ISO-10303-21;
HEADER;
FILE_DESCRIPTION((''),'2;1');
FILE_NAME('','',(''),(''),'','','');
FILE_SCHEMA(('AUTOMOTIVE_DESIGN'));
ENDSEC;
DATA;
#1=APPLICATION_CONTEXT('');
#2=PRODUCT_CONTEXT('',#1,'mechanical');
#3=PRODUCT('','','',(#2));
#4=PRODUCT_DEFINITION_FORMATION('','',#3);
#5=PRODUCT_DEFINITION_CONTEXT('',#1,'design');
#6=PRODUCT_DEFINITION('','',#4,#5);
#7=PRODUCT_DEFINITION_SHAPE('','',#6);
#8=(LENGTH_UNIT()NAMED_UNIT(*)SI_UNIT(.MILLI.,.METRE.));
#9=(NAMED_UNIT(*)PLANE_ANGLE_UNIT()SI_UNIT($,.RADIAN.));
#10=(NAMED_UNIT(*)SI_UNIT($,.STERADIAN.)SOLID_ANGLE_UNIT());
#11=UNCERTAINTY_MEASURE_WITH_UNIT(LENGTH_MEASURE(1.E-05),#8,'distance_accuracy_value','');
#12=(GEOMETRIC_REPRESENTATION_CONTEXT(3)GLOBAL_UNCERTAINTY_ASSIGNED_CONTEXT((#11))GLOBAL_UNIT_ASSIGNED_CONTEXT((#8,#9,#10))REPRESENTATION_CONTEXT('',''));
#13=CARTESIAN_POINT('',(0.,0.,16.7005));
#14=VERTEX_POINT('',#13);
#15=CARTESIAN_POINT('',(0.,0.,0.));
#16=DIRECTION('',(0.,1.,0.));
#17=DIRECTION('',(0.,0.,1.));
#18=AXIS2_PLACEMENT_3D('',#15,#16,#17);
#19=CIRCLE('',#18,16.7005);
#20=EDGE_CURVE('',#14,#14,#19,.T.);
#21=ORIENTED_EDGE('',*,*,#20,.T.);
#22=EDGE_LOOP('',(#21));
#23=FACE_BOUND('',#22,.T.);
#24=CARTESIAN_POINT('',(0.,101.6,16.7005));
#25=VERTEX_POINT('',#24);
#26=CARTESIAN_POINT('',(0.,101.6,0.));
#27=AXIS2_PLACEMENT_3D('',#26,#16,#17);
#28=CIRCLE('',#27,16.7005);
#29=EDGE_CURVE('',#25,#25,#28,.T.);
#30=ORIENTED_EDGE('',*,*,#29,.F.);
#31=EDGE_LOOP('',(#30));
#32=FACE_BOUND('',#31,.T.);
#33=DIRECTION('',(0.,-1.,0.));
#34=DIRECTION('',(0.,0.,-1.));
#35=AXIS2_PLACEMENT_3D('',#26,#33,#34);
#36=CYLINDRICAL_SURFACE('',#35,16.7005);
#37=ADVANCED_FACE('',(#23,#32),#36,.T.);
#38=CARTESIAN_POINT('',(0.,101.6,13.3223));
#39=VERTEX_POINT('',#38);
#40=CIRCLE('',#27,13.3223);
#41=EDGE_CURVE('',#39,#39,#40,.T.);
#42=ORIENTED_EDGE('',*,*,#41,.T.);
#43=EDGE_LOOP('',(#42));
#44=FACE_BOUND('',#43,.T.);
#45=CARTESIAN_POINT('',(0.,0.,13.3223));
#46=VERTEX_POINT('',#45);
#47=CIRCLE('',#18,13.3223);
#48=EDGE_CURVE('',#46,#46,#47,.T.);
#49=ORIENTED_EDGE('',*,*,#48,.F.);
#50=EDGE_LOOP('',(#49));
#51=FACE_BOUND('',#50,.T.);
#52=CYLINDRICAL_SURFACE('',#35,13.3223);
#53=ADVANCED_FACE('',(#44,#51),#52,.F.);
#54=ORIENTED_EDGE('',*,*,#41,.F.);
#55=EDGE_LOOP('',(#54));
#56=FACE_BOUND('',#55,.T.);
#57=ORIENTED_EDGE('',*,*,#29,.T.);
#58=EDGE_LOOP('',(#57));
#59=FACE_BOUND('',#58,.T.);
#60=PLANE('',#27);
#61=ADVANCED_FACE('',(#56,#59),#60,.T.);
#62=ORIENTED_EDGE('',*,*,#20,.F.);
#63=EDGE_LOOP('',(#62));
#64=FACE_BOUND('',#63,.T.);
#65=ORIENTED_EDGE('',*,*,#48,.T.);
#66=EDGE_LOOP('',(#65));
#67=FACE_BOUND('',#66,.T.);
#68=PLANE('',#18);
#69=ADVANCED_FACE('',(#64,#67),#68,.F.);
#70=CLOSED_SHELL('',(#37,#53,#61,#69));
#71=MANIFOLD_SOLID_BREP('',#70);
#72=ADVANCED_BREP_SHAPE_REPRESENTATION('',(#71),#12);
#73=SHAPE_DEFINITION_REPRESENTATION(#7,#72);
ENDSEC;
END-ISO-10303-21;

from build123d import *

# Parameters (mm, degrees)
SKETCH1_R           = 16.7005
SKETCH1_R_2         = 13.3223
BOSS_EXTRUDE1_DEPTH = 101.6


with BuildPart() as part:
    # Sketch1 → Boss-Extrude1 (new body)
    with BuildSketch(Plane(origin=(0, 0, 0), x_dir=(1, 0, 0), z_dir=(0, 1, 0))):
        Circle(SKETCH1_R)
        Circle(SKETCH1_R_2, mode=Mode.SUBTRACT)
    extrude(amount=BOSS_EXTRUDE1_DEPTH)


solid = part.part
